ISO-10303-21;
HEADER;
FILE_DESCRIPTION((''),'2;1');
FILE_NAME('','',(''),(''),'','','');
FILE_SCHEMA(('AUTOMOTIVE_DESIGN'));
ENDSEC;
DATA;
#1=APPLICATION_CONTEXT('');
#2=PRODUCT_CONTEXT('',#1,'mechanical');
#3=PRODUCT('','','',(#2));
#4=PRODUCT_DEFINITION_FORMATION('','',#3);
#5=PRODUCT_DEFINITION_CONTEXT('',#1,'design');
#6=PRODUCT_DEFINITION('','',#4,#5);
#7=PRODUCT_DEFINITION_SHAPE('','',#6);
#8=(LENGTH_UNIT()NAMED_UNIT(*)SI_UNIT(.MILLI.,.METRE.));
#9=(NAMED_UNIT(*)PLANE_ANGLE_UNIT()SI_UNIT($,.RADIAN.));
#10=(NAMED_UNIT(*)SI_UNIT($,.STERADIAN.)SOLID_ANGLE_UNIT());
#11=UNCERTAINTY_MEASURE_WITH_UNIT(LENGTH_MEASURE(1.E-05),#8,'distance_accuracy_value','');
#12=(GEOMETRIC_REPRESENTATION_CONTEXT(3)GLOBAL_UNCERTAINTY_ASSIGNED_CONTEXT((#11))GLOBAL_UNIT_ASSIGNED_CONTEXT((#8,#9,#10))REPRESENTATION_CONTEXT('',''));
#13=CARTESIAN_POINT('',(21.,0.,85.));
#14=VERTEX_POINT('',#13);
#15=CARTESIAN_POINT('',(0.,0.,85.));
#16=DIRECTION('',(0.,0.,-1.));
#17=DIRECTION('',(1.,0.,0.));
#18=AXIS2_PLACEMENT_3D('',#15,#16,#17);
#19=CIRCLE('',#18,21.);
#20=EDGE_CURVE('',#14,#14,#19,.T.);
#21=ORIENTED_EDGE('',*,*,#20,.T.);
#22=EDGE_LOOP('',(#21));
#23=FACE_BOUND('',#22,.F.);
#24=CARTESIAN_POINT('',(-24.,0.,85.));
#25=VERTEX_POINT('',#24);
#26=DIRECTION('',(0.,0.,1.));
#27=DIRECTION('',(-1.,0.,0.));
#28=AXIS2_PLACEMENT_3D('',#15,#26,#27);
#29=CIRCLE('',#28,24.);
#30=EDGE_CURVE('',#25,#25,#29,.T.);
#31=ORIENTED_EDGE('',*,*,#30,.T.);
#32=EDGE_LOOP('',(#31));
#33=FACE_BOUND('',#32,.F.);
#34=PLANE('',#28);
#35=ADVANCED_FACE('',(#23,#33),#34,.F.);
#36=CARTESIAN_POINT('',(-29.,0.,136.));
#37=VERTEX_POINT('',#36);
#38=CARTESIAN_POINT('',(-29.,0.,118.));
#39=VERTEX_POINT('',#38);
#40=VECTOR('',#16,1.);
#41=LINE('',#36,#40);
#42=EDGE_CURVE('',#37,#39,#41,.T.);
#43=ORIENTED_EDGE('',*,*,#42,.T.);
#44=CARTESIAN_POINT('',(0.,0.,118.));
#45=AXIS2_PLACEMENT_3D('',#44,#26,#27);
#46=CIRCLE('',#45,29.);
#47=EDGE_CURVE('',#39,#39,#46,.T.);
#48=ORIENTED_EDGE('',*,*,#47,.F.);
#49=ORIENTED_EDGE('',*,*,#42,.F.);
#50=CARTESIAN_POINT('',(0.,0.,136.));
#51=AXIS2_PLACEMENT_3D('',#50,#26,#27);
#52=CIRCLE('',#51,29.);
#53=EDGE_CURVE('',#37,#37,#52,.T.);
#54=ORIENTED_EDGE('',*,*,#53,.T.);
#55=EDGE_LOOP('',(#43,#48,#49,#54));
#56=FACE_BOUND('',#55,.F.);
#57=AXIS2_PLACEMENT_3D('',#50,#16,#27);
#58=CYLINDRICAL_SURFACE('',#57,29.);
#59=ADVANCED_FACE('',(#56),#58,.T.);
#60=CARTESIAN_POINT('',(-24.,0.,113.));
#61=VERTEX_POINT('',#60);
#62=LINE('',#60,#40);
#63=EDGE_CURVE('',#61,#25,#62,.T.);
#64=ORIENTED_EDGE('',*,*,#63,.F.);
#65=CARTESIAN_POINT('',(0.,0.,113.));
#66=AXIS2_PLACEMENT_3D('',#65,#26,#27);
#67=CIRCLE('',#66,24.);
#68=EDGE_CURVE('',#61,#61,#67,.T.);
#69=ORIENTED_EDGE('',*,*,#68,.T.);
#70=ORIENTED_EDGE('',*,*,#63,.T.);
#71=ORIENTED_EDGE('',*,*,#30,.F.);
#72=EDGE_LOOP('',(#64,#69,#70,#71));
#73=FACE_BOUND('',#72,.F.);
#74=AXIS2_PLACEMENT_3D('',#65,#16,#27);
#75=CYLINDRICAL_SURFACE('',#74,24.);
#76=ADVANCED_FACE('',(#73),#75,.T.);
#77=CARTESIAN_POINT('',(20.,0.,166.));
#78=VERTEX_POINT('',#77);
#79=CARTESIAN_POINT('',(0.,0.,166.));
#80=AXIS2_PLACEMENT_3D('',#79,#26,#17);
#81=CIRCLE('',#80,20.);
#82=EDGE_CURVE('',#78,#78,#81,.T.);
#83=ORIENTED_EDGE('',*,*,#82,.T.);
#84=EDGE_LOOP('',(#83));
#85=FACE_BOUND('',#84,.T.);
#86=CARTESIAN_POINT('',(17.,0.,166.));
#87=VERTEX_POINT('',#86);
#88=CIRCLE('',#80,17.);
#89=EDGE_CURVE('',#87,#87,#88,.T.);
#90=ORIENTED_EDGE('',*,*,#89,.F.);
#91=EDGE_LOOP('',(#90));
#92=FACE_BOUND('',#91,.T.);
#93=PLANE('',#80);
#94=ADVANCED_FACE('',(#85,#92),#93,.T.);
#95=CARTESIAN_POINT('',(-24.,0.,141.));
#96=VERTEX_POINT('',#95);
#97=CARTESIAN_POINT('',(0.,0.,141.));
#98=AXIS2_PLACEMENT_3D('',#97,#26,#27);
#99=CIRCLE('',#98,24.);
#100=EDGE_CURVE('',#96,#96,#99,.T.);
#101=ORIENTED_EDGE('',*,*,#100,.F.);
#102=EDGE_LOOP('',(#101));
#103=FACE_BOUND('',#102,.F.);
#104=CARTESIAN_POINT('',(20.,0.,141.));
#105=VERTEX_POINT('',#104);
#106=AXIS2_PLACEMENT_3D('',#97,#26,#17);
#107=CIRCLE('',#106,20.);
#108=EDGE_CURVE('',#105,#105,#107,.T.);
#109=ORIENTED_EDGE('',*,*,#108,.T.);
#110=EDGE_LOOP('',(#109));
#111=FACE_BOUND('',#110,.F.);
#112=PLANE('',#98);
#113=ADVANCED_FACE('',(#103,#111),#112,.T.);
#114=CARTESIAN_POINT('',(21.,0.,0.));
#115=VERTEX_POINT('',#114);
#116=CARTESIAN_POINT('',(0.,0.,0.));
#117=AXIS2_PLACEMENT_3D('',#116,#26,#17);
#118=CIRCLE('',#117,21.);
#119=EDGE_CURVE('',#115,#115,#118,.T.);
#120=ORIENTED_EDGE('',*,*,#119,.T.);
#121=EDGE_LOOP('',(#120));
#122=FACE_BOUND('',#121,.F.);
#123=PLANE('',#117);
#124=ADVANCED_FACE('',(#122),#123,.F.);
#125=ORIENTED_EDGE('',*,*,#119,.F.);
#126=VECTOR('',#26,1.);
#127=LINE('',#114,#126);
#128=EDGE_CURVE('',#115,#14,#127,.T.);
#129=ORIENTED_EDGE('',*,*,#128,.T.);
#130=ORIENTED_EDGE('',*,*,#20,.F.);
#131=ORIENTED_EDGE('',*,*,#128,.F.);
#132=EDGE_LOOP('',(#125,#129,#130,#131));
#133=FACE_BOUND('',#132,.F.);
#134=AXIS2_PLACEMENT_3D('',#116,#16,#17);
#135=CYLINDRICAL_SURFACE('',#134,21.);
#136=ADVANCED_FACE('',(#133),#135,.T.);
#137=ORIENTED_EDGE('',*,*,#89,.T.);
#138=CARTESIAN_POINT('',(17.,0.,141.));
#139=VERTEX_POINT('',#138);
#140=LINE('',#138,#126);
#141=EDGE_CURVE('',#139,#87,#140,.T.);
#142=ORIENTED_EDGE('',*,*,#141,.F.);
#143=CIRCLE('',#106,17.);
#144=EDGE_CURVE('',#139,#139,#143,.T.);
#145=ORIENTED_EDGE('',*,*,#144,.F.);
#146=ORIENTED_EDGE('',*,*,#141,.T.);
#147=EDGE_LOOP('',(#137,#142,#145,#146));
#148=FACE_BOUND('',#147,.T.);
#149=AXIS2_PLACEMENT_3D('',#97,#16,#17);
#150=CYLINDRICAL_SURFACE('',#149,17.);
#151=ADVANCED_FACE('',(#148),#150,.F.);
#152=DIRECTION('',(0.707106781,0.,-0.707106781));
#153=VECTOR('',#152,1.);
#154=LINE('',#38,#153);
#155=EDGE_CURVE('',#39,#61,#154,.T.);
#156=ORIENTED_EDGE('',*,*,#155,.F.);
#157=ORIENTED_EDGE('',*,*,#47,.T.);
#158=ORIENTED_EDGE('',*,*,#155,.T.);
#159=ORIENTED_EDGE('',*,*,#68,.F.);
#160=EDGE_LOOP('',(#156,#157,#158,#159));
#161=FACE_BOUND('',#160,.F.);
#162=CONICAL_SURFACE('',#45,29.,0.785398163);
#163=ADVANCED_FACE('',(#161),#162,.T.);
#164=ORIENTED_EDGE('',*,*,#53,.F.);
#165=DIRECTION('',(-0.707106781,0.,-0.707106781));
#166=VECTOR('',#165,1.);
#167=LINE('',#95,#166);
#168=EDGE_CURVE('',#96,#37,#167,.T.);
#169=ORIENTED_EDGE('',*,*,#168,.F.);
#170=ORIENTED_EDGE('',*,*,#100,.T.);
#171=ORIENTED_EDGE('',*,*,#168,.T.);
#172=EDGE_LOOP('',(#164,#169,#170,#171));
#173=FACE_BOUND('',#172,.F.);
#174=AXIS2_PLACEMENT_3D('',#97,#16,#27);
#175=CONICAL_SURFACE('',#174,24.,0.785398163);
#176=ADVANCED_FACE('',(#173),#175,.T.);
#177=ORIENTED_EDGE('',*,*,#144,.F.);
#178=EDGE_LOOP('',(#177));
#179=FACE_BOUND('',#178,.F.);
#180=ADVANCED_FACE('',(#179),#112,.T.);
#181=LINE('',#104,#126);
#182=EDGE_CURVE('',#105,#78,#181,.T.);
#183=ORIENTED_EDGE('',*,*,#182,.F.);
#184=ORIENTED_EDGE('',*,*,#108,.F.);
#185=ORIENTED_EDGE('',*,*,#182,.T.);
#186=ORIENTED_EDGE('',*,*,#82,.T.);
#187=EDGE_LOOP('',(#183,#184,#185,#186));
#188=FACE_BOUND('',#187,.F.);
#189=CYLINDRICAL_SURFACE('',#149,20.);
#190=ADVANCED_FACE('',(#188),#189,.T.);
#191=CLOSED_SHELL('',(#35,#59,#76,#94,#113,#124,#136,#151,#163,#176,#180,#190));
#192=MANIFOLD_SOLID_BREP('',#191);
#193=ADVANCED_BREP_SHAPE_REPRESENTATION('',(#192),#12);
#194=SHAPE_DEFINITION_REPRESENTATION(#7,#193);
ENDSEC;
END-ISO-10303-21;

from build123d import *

# Parameters (mm, degrees)
F0_R     = 21
F1_DEPTH = 100
F4_R     = 20
F4_R_2   = 17
F5_DEPTH = 25


with BuildPart() as f1:
    # F0 (on Top) → F1 (new body)
    with BuildSketch(Plane.XY):
        Circle(F0_R)
    extrude(amount=F1_DEPTH)

    # F2 (on Front) → F3 (revolve)
    with BuildSketch(Plane.XZ):
        Polygon((-24, 85), (0, 85), (0, 141), (-24, 141), (-29, 136), (-29, 118), (-24, 113), align=None)
    revolve(axis=Axis((0, 0, 74.559175), (0, 0, 1)))

    # F4 (on face) → F5 (join)
    with BuildSketch(Plane.XY.offset(141)):
        Circle(F4_R)
        Circle(F4_R_2, mode=Mode.SUBTRACT)
    extrude(amount=F5_DEPTH)


solid = f1.part
